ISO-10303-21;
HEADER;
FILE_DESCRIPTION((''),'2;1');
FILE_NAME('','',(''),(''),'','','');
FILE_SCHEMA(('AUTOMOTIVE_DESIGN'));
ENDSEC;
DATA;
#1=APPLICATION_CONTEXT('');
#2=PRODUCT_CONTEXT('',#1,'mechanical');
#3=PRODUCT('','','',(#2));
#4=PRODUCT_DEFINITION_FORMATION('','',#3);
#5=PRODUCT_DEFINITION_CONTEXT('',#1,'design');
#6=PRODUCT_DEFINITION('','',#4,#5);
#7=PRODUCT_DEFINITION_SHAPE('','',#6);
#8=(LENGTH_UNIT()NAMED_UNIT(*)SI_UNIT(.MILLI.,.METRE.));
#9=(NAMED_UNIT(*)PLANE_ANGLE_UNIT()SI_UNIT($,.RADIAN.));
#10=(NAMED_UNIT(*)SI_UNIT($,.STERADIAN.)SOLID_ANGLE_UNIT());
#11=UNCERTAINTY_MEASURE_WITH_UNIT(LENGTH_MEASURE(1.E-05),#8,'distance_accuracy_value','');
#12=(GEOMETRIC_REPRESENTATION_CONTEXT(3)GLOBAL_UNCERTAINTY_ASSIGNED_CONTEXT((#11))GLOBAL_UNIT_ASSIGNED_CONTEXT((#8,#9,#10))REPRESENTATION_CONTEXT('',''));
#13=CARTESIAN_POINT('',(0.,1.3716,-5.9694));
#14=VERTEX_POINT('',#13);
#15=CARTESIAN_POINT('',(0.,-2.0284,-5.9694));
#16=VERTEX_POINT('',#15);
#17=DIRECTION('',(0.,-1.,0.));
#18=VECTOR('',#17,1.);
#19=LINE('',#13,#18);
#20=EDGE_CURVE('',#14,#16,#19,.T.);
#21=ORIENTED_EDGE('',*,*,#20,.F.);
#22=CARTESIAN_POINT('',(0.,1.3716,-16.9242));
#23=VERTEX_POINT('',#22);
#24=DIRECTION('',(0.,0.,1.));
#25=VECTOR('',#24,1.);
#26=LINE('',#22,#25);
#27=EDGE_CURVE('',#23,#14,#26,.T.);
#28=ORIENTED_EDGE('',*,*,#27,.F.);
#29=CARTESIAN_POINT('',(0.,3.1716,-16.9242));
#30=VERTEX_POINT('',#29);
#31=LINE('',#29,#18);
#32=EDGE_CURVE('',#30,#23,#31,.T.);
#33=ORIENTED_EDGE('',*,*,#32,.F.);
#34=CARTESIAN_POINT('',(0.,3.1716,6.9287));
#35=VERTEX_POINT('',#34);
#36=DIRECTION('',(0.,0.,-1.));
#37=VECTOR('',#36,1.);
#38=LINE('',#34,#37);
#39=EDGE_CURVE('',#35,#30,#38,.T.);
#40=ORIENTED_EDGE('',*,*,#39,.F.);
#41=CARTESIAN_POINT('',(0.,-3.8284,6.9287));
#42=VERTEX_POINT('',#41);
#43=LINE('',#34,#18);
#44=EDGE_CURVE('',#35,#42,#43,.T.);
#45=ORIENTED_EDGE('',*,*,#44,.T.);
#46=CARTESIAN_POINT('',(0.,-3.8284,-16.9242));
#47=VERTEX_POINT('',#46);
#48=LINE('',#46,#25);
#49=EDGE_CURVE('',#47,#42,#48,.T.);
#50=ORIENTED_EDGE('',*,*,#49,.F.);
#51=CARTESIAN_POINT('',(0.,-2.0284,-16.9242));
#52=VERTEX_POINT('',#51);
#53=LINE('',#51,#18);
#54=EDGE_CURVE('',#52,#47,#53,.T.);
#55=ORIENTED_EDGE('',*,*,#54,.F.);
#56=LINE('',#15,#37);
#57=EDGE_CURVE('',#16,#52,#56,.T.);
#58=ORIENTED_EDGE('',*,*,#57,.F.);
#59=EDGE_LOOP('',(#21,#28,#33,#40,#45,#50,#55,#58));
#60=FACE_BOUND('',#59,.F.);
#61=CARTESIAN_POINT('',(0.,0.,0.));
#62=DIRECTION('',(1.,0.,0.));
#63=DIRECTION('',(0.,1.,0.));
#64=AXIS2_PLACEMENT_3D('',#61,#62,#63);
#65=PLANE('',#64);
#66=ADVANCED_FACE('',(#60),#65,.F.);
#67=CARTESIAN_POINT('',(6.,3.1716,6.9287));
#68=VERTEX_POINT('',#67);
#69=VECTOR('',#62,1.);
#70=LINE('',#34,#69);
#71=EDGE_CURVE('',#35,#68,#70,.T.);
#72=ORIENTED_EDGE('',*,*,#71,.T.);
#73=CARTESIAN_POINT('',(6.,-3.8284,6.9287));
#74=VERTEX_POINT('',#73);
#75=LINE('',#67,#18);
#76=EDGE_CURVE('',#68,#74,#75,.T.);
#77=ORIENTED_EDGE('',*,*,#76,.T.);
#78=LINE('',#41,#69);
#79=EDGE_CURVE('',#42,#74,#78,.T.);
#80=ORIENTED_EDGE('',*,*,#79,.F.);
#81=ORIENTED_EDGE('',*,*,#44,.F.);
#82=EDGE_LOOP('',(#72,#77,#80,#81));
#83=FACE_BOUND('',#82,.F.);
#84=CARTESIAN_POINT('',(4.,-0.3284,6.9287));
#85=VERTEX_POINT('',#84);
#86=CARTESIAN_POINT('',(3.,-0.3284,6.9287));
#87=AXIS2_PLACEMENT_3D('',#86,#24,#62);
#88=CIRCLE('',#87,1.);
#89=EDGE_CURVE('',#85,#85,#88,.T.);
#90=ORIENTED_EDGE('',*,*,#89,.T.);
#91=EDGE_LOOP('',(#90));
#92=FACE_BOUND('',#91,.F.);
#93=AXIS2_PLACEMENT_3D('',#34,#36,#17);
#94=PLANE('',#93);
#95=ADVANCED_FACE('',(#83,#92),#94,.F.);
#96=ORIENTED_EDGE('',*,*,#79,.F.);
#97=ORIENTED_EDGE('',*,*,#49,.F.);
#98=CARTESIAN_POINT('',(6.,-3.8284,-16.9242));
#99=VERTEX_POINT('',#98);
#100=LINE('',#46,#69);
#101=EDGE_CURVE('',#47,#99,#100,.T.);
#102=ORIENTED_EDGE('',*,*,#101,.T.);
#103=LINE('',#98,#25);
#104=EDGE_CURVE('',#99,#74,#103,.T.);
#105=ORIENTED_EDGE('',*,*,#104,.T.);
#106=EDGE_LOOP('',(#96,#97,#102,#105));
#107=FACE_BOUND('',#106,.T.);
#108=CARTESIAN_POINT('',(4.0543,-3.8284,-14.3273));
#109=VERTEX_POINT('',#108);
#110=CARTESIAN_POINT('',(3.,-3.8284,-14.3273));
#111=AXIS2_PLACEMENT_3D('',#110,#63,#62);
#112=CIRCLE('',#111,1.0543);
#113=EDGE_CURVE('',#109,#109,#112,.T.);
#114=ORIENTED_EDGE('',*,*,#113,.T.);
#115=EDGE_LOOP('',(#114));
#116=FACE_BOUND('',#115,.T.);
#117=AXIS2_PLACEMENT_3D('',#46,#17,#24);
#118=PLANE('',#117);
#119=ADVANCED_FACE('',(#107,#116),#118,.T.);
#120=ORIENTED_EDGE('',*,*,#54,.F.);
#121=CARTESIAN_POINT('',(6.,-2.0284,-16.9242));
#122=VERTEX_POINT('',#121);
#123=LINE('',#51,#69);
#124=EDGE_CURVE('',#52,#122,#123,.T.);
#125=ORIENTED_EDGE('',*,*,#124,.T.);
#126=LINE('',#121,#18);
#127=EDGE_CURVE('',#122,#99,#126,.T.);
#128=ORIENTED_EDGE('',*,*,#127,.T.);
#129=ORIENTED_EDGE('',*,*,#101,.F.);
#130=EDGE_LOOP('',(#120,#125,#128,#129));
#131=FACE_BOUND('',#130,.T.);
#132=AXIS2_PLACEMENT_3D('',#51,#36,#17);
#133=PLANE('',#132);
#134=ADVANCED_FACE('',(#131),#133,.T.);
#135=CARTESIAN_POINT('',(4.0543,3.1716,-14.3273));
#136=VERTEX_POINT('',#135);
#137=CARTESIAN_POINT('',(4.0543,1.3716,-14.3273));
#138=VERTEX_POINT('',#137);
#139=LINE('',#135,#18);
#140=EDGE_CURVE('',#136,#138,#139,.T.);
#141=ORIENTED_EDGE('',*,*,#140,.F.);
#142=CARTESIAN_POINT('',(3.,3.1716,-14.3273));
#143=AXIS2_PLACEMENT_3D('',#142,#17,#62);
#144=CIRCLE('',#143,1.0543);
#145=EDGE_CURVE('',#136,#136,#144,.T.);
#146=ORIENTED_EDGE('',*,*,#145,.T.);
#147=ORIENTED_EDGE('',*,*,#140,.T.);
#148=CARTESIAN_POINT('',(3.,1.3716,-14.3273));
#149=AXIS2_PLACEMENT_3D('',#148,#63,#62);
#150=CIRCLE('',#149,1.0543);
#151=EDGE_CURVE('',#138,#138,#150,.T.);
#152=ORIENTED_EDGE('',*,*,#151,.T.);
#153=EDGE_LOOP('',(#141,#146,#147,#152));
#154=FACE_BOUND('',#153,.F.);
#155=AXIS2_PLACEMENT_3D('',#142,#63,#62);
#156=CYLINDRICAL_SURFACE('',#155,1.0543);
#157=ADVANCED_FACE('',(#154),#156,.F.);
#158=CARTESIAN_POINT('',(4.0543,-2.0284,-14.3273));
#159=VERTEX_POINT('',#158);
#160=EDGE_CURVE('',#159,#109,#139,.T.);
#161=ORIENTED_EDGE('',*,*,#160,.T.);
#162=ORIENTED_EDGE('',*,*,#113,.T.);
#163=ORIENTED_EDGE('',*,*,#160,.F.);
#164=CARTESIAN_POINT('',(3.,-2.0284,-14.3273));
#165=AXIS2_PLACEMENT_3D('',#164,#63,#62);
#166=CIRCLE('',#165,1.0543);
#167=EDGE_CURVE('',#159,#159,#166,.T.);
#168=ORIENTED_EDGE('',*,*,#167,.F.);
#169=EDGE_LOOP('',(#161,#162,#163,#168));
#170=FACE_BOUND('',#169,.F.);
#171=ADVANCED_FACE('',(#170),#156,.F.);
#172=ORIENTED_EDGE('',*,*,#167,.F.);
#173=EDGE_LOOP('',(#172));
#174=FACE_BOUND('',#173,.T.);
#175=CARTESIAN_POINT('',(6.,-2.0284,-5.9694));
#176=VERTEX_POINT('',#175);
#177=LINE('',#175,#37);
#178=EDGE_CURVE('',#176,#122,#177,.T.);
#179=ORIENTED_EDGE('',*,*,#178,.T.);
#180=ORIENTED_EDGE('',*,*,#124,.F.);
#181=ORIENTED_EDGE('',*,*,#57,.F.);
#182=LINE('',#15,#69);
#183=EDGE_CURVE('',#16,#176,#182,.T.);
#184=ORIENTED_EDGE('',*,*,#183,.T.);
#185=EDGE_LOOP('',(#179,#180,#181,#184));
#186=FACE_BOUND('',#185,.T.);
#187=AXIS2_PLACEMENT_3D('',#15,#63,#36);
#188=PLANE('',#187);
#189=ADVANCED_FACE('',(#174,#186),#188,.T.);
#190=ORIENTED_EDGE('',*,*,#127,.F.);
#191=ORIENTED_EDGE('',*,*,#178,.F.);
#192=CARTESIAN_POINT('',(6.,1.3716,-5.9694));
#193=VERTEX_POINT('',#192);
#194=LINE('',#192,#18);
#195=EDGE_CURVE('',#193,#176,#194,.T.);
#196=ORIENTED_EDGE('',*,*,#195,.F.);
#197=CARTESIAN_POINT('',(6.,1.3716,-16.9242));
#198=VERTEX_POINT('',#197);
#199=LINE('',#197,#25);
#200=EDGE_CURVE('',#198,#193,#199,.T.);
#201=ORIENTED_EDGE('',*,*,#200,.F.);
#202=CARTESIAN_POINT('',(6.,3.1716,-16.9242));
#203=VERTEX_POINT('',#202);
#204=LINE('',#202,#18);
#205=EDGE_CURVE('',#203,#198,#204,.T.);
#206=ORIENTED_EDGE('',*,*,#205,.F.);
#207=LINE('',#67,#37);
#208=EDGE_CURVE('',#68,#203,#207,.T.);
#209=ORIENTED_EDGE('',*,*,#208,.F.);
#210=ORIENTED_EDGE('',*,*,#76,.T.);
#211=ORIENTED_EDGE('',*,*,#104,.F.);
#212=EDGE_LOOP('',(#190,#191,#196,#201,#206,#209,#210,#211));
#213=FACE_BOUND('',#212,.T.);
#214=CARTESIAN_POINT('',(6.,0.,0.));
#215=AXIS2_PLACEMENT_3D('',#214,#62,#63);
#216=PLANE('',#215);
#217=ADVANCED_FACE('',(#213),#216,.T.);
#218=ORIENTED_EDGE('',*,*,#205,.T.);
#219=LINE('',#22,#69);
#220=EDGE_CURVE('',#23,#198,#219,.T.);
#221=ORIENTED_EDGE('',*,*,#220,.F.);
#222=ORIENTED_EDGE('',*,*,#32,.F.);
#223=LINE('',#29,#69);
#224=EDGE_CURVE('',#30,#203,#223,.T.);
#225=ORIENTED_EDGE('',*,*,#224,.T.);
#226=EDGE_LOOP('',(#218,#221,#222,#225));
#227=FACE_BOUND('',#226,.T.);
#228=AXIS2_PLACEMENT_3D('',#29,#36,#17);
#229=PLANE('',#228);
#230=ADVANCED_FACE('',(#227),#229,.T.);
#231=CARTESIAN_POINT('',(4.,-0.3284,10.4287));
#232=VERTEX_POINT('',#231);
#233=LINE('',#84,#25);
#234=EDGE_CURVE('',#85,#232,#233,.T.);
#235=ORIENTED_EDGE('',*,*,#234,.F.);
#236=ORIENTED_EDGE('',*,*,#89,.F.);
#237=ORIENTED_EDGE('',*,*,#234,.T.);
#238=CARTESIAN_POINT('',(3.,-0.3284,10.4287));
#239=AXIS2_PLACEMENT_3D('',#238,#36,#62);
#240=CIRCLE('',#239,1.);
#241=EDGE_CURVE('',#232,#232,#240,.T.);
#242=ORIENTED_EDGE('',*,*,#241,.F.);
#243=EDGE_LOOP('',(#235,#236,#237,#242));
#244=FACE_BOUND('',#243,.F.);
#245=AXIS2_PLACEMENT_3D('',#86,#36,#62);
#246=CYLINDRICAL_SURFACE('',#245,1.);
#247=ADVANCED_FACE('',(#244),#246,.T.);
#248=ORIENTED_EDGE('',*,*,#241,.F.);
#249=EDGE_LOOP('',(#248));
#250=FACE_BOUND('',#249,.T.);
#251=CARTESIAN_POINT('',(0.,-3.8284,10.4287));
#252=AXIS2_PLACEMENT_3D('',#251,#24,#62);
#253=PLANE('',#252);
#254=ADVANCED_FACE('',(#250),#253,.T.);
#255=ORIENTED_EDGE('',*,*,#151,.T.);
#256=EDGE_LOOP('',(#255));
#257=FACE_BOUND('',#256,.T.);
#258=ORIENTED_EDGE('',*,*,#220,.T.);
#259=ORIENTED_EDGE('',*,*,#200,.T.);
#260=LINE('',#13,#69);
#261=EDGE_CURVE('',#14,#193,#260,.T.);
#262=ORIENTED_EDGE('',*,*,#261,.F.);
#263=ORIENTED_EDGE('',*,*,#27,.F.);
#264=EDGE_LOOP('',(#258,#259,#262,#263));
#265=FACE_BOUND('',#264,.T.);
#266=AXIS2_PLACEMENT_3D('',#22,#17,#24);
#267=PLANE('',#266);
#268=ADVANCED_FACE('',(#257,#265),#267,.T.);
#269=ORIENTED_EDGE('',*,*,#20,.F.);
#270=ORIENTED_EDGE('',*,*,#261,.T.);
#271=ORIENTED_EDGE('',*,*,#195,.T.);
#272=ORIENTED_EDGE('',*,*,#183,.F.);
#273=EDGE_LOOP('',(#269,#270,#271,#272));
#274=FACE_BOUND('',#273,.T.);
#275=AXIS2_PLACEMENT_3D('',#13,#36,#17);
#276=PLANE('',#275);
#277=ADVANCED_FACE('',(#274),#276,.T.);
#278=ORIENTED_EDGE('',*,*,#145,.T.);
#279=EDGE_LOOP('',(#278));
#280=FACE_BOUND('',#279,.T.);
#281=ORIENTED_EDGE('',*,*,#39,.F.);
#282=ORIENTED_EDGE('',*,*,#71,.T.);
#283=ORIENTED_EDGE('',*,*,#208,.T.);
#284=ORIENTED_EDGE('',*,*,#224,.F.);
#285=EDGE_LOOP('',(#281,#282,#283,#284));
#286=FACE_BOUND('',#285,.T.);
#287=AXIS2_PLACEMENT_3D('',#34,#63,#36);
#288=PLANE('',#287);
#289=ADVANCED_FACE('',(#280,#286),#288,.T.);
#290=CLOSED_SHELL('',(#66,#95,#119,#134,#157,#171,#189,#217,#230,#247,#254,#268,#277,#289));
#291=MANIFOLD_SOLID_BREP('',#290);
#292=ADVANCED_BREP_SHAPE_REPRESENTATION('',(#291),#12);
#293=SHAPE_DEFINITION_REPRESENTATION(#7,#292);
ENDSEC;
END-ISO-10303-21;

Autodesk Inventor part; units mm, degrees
ref_plane "YZ Plane" through (0, 0, 0) normal (1, 0, 0) x (0, 1, 0)
ref_plane "XZ Plane" through (0, 0, 0) normal (0, 1, 0) x (-1, 0, 0)
ref_plane "XY Plane" through (0, 0, 0) normal (0, 0, 1) x (1, 0, 0)
sketch "Sketch1" plane through (0, 0, 0) normal (1, 0, 0) x (0, 1, 0)
  point P0 (0, 0)
sketch "Sketch2" plane through (0, 0, 0) normal (1, 0, 0) x (0, 1, 0)
  line L0 (3.1716, 6.9287) -> (-3.8284, 6.9287)
  line L1 (3.1716, 6.9287) -> (3.1716, -16.9242)
  line L2 (3.1716, -16.9242) -> (1.3716, -16.9242)
  line L3 (1.3716, -16.9242) -> (1.3716, -5.9694)
  line L4 (1.3716, -5.9694) -> (-2.0284, -5.9694)
  line L5 (-2.0284, -5.9694) -> (-2.0284, -16.9242)
  line L6 (-2.0284, -16.9242) -> (-3.8284, -16.9242)
  line L7 (-3.8284, -16.9242) -> (-3.8284, 6.9287)
  point P0 (0, 0)
  dimension "d0" = 7
  dimension "d2" = 1.8
  dimension "d6" = 3.4
  dimension "d8" = 1.8
extrude "Extrusion1" add sketch "Sketch2" along normal blind 6
sketch "Sketch3" plane through (0, 3.1716, 6.9287) normal (0, 1, 0) x (1, 0, 0)
  line L0 (0, 23.8529) -> (6, 23.8529) projected
  circle A0 centre (3, 32.5) radius 1
  point P0 (0, 6.9287)
  dimension "d12" = 2
extrude "Extrusion2" cut sketch "Sketch3" against normal blind 9.875
sketch "Sketch5" plane through (0, 3.1716, 6.9287) normal (0, 1, 0) x (1, 0, 0)
  point P0 (0, 6.9287)
sketch "Sketch7" plane through (0, -3.8284, 6.9287) normal (0, 0, 1) x (1, 0, 0)
  line L0 (0, 1.8) -> (0, 5.2) projected
  line L1 (0, 3.5) -> (6, 3.5)
  line L2 (6, 1.8) -> (6, 5.2) projected
  line L3 (0, 0) -> (6, 0) projected
  line L4 (3, 0) -> (3, 7)
  line L5 (2, 7) -> (4, 7) projected
  circle A0 centre (3, 3.5) radius 1
  point P0 (0, 3.8284)
  dimension "d21" = 2
extrude "Extrusion5" add sketch "Sketch7" along normal blind 3.5
sketch "Sketch8" plane through (0, 3.1716, 6.9287) normal (0, 1, 0) x (1, 0, 0)
  line L0 (0, 0) -> (0, 23.8529) projected
  line L1 (0, 21.256) -> (5.958, 21.256)
  line L2 (5.958, 21.256) -> (3, 23.8529)
  line L3 (0, 23.8529) -> (6, 23.8529) projected
  line L4 (3, 23.8529) -> (3, 17.8866)
  circle A0 centre (3, 21.256) radius 1.0543
  point P0 (0, 6.9287)
extrude "Extrusion6" cut sketch "Sketch8" against normal blind 39.2125 contours A0 L4 L1 | L1 L4 A0 | L4 A0 L1 | L1 A0 L4
properties part number "Link2"
